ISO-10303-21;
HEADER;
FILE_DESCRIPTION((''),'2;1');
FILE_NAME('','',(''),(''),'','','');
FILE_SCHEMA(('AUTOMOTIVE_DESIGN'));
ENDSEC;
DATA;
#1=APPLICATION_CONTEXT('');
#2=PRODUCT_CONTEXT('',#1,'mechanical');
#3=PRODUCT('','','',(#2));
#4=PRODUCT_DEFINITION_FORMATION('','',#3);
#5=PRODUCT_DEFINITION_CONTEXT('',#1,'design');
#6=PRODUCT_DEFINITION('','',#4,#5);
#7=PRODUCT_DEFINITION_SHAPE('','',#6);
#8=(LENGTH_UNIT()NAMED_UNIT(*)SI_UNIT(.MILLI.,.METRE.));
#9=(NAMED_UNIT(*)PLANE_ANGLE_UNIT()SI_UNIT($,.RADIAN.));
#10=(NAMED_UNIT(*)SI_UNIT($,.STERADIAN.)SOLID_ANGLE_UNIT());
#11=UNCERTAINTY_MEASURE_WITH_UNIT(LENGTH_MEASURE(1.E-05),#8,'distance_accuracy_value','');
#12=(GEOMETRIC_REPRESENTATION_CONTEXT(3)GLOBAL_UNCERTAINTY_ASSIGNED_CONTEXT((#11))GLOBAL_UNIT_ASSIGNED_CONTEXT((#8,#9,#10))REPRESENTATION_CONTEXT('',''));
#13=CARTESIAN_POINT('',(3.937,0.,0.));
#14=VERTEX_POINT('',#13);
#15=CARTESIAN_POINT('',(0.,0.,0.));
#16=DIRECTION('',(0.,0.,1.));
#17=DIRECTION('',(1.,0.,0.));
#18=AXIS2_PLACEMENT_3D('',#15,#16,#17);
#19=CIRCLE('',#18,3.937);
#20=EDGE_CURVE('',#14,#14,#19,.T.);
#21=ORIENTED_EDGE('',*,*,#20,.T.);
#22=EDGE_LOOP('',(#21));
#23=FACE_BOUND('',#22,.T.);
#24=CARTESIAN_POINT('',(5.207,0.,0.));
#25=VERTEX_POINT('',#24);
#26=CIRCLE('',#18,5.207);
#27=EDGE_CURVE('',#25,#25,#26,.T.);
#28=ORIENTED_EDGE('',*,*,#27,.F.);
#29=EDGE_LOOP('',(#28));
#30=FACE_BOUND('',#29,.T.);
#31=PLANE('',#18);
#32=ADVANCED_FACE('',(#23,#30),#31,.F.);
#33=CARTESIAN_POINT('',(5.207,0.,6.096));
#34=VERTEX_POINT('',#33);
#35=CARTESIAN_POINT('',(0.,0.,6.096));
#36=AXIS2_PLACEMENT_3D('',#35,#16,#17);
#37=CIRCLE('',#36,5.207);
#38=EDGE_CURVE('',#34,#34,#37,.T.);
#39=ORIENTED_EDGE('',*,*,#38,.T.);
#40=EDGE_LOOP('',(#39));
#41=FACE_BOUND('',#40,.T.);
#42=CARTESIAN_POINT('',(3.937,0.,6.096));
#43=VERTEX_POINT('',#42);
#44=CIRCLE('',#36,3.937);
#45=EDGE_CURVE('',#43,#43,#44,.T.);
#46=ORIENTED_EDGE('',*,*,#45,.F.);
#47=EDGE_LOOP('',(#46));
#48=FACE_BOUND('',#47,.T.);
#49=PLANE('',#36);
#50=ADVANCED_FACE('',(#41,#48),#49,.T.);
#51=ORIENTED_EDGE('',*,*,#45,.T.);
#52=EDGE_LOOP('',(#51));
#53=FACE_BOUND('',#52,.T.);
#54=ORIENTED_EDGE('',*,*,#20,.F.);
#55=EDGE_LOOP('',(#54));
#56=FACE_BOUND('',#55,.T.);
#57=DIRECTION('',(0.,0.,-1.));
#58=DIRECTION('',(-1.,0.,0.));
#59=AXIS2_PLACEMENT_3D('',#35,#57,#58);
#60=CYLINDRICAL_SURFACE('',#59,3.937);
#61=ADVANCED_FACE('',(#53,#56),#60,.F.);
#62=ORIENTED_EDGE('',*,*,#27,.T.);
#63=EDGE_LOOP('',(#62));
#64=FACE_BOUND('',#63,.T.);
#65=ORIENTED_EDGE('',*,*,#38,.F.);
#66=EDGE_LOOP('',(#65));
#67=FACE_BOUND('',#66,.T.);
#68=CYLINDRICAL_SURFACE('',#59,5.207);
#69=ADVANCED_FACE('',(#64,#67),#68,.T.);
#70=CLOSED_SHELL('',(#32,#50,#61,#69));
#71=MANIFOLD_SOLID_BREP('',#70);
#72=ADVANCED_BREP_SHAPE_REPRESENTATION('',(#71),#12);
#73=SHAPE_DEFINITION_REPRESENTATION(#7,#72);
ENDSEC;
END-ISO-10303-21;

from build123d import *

# Parameters (mm, degrees)
SKETCH1_R           = 5.207
SKETCH1_R_2         = 3.937
BOSS_EXTRUDE1_DEPTH = 6.096


with BuildPart() as part:
    # Sketch1 → Boss-Extrude1 (new body)
    with BuildSketch(Plane.XY):
        Circle(SKETCH1_R)
        Circle(SKETCH1_R_2, mode=Mode.SUBTRACT)
    extrude(amount=BOSS_EXTRUDE1_DEPTH)


solid = part.part
